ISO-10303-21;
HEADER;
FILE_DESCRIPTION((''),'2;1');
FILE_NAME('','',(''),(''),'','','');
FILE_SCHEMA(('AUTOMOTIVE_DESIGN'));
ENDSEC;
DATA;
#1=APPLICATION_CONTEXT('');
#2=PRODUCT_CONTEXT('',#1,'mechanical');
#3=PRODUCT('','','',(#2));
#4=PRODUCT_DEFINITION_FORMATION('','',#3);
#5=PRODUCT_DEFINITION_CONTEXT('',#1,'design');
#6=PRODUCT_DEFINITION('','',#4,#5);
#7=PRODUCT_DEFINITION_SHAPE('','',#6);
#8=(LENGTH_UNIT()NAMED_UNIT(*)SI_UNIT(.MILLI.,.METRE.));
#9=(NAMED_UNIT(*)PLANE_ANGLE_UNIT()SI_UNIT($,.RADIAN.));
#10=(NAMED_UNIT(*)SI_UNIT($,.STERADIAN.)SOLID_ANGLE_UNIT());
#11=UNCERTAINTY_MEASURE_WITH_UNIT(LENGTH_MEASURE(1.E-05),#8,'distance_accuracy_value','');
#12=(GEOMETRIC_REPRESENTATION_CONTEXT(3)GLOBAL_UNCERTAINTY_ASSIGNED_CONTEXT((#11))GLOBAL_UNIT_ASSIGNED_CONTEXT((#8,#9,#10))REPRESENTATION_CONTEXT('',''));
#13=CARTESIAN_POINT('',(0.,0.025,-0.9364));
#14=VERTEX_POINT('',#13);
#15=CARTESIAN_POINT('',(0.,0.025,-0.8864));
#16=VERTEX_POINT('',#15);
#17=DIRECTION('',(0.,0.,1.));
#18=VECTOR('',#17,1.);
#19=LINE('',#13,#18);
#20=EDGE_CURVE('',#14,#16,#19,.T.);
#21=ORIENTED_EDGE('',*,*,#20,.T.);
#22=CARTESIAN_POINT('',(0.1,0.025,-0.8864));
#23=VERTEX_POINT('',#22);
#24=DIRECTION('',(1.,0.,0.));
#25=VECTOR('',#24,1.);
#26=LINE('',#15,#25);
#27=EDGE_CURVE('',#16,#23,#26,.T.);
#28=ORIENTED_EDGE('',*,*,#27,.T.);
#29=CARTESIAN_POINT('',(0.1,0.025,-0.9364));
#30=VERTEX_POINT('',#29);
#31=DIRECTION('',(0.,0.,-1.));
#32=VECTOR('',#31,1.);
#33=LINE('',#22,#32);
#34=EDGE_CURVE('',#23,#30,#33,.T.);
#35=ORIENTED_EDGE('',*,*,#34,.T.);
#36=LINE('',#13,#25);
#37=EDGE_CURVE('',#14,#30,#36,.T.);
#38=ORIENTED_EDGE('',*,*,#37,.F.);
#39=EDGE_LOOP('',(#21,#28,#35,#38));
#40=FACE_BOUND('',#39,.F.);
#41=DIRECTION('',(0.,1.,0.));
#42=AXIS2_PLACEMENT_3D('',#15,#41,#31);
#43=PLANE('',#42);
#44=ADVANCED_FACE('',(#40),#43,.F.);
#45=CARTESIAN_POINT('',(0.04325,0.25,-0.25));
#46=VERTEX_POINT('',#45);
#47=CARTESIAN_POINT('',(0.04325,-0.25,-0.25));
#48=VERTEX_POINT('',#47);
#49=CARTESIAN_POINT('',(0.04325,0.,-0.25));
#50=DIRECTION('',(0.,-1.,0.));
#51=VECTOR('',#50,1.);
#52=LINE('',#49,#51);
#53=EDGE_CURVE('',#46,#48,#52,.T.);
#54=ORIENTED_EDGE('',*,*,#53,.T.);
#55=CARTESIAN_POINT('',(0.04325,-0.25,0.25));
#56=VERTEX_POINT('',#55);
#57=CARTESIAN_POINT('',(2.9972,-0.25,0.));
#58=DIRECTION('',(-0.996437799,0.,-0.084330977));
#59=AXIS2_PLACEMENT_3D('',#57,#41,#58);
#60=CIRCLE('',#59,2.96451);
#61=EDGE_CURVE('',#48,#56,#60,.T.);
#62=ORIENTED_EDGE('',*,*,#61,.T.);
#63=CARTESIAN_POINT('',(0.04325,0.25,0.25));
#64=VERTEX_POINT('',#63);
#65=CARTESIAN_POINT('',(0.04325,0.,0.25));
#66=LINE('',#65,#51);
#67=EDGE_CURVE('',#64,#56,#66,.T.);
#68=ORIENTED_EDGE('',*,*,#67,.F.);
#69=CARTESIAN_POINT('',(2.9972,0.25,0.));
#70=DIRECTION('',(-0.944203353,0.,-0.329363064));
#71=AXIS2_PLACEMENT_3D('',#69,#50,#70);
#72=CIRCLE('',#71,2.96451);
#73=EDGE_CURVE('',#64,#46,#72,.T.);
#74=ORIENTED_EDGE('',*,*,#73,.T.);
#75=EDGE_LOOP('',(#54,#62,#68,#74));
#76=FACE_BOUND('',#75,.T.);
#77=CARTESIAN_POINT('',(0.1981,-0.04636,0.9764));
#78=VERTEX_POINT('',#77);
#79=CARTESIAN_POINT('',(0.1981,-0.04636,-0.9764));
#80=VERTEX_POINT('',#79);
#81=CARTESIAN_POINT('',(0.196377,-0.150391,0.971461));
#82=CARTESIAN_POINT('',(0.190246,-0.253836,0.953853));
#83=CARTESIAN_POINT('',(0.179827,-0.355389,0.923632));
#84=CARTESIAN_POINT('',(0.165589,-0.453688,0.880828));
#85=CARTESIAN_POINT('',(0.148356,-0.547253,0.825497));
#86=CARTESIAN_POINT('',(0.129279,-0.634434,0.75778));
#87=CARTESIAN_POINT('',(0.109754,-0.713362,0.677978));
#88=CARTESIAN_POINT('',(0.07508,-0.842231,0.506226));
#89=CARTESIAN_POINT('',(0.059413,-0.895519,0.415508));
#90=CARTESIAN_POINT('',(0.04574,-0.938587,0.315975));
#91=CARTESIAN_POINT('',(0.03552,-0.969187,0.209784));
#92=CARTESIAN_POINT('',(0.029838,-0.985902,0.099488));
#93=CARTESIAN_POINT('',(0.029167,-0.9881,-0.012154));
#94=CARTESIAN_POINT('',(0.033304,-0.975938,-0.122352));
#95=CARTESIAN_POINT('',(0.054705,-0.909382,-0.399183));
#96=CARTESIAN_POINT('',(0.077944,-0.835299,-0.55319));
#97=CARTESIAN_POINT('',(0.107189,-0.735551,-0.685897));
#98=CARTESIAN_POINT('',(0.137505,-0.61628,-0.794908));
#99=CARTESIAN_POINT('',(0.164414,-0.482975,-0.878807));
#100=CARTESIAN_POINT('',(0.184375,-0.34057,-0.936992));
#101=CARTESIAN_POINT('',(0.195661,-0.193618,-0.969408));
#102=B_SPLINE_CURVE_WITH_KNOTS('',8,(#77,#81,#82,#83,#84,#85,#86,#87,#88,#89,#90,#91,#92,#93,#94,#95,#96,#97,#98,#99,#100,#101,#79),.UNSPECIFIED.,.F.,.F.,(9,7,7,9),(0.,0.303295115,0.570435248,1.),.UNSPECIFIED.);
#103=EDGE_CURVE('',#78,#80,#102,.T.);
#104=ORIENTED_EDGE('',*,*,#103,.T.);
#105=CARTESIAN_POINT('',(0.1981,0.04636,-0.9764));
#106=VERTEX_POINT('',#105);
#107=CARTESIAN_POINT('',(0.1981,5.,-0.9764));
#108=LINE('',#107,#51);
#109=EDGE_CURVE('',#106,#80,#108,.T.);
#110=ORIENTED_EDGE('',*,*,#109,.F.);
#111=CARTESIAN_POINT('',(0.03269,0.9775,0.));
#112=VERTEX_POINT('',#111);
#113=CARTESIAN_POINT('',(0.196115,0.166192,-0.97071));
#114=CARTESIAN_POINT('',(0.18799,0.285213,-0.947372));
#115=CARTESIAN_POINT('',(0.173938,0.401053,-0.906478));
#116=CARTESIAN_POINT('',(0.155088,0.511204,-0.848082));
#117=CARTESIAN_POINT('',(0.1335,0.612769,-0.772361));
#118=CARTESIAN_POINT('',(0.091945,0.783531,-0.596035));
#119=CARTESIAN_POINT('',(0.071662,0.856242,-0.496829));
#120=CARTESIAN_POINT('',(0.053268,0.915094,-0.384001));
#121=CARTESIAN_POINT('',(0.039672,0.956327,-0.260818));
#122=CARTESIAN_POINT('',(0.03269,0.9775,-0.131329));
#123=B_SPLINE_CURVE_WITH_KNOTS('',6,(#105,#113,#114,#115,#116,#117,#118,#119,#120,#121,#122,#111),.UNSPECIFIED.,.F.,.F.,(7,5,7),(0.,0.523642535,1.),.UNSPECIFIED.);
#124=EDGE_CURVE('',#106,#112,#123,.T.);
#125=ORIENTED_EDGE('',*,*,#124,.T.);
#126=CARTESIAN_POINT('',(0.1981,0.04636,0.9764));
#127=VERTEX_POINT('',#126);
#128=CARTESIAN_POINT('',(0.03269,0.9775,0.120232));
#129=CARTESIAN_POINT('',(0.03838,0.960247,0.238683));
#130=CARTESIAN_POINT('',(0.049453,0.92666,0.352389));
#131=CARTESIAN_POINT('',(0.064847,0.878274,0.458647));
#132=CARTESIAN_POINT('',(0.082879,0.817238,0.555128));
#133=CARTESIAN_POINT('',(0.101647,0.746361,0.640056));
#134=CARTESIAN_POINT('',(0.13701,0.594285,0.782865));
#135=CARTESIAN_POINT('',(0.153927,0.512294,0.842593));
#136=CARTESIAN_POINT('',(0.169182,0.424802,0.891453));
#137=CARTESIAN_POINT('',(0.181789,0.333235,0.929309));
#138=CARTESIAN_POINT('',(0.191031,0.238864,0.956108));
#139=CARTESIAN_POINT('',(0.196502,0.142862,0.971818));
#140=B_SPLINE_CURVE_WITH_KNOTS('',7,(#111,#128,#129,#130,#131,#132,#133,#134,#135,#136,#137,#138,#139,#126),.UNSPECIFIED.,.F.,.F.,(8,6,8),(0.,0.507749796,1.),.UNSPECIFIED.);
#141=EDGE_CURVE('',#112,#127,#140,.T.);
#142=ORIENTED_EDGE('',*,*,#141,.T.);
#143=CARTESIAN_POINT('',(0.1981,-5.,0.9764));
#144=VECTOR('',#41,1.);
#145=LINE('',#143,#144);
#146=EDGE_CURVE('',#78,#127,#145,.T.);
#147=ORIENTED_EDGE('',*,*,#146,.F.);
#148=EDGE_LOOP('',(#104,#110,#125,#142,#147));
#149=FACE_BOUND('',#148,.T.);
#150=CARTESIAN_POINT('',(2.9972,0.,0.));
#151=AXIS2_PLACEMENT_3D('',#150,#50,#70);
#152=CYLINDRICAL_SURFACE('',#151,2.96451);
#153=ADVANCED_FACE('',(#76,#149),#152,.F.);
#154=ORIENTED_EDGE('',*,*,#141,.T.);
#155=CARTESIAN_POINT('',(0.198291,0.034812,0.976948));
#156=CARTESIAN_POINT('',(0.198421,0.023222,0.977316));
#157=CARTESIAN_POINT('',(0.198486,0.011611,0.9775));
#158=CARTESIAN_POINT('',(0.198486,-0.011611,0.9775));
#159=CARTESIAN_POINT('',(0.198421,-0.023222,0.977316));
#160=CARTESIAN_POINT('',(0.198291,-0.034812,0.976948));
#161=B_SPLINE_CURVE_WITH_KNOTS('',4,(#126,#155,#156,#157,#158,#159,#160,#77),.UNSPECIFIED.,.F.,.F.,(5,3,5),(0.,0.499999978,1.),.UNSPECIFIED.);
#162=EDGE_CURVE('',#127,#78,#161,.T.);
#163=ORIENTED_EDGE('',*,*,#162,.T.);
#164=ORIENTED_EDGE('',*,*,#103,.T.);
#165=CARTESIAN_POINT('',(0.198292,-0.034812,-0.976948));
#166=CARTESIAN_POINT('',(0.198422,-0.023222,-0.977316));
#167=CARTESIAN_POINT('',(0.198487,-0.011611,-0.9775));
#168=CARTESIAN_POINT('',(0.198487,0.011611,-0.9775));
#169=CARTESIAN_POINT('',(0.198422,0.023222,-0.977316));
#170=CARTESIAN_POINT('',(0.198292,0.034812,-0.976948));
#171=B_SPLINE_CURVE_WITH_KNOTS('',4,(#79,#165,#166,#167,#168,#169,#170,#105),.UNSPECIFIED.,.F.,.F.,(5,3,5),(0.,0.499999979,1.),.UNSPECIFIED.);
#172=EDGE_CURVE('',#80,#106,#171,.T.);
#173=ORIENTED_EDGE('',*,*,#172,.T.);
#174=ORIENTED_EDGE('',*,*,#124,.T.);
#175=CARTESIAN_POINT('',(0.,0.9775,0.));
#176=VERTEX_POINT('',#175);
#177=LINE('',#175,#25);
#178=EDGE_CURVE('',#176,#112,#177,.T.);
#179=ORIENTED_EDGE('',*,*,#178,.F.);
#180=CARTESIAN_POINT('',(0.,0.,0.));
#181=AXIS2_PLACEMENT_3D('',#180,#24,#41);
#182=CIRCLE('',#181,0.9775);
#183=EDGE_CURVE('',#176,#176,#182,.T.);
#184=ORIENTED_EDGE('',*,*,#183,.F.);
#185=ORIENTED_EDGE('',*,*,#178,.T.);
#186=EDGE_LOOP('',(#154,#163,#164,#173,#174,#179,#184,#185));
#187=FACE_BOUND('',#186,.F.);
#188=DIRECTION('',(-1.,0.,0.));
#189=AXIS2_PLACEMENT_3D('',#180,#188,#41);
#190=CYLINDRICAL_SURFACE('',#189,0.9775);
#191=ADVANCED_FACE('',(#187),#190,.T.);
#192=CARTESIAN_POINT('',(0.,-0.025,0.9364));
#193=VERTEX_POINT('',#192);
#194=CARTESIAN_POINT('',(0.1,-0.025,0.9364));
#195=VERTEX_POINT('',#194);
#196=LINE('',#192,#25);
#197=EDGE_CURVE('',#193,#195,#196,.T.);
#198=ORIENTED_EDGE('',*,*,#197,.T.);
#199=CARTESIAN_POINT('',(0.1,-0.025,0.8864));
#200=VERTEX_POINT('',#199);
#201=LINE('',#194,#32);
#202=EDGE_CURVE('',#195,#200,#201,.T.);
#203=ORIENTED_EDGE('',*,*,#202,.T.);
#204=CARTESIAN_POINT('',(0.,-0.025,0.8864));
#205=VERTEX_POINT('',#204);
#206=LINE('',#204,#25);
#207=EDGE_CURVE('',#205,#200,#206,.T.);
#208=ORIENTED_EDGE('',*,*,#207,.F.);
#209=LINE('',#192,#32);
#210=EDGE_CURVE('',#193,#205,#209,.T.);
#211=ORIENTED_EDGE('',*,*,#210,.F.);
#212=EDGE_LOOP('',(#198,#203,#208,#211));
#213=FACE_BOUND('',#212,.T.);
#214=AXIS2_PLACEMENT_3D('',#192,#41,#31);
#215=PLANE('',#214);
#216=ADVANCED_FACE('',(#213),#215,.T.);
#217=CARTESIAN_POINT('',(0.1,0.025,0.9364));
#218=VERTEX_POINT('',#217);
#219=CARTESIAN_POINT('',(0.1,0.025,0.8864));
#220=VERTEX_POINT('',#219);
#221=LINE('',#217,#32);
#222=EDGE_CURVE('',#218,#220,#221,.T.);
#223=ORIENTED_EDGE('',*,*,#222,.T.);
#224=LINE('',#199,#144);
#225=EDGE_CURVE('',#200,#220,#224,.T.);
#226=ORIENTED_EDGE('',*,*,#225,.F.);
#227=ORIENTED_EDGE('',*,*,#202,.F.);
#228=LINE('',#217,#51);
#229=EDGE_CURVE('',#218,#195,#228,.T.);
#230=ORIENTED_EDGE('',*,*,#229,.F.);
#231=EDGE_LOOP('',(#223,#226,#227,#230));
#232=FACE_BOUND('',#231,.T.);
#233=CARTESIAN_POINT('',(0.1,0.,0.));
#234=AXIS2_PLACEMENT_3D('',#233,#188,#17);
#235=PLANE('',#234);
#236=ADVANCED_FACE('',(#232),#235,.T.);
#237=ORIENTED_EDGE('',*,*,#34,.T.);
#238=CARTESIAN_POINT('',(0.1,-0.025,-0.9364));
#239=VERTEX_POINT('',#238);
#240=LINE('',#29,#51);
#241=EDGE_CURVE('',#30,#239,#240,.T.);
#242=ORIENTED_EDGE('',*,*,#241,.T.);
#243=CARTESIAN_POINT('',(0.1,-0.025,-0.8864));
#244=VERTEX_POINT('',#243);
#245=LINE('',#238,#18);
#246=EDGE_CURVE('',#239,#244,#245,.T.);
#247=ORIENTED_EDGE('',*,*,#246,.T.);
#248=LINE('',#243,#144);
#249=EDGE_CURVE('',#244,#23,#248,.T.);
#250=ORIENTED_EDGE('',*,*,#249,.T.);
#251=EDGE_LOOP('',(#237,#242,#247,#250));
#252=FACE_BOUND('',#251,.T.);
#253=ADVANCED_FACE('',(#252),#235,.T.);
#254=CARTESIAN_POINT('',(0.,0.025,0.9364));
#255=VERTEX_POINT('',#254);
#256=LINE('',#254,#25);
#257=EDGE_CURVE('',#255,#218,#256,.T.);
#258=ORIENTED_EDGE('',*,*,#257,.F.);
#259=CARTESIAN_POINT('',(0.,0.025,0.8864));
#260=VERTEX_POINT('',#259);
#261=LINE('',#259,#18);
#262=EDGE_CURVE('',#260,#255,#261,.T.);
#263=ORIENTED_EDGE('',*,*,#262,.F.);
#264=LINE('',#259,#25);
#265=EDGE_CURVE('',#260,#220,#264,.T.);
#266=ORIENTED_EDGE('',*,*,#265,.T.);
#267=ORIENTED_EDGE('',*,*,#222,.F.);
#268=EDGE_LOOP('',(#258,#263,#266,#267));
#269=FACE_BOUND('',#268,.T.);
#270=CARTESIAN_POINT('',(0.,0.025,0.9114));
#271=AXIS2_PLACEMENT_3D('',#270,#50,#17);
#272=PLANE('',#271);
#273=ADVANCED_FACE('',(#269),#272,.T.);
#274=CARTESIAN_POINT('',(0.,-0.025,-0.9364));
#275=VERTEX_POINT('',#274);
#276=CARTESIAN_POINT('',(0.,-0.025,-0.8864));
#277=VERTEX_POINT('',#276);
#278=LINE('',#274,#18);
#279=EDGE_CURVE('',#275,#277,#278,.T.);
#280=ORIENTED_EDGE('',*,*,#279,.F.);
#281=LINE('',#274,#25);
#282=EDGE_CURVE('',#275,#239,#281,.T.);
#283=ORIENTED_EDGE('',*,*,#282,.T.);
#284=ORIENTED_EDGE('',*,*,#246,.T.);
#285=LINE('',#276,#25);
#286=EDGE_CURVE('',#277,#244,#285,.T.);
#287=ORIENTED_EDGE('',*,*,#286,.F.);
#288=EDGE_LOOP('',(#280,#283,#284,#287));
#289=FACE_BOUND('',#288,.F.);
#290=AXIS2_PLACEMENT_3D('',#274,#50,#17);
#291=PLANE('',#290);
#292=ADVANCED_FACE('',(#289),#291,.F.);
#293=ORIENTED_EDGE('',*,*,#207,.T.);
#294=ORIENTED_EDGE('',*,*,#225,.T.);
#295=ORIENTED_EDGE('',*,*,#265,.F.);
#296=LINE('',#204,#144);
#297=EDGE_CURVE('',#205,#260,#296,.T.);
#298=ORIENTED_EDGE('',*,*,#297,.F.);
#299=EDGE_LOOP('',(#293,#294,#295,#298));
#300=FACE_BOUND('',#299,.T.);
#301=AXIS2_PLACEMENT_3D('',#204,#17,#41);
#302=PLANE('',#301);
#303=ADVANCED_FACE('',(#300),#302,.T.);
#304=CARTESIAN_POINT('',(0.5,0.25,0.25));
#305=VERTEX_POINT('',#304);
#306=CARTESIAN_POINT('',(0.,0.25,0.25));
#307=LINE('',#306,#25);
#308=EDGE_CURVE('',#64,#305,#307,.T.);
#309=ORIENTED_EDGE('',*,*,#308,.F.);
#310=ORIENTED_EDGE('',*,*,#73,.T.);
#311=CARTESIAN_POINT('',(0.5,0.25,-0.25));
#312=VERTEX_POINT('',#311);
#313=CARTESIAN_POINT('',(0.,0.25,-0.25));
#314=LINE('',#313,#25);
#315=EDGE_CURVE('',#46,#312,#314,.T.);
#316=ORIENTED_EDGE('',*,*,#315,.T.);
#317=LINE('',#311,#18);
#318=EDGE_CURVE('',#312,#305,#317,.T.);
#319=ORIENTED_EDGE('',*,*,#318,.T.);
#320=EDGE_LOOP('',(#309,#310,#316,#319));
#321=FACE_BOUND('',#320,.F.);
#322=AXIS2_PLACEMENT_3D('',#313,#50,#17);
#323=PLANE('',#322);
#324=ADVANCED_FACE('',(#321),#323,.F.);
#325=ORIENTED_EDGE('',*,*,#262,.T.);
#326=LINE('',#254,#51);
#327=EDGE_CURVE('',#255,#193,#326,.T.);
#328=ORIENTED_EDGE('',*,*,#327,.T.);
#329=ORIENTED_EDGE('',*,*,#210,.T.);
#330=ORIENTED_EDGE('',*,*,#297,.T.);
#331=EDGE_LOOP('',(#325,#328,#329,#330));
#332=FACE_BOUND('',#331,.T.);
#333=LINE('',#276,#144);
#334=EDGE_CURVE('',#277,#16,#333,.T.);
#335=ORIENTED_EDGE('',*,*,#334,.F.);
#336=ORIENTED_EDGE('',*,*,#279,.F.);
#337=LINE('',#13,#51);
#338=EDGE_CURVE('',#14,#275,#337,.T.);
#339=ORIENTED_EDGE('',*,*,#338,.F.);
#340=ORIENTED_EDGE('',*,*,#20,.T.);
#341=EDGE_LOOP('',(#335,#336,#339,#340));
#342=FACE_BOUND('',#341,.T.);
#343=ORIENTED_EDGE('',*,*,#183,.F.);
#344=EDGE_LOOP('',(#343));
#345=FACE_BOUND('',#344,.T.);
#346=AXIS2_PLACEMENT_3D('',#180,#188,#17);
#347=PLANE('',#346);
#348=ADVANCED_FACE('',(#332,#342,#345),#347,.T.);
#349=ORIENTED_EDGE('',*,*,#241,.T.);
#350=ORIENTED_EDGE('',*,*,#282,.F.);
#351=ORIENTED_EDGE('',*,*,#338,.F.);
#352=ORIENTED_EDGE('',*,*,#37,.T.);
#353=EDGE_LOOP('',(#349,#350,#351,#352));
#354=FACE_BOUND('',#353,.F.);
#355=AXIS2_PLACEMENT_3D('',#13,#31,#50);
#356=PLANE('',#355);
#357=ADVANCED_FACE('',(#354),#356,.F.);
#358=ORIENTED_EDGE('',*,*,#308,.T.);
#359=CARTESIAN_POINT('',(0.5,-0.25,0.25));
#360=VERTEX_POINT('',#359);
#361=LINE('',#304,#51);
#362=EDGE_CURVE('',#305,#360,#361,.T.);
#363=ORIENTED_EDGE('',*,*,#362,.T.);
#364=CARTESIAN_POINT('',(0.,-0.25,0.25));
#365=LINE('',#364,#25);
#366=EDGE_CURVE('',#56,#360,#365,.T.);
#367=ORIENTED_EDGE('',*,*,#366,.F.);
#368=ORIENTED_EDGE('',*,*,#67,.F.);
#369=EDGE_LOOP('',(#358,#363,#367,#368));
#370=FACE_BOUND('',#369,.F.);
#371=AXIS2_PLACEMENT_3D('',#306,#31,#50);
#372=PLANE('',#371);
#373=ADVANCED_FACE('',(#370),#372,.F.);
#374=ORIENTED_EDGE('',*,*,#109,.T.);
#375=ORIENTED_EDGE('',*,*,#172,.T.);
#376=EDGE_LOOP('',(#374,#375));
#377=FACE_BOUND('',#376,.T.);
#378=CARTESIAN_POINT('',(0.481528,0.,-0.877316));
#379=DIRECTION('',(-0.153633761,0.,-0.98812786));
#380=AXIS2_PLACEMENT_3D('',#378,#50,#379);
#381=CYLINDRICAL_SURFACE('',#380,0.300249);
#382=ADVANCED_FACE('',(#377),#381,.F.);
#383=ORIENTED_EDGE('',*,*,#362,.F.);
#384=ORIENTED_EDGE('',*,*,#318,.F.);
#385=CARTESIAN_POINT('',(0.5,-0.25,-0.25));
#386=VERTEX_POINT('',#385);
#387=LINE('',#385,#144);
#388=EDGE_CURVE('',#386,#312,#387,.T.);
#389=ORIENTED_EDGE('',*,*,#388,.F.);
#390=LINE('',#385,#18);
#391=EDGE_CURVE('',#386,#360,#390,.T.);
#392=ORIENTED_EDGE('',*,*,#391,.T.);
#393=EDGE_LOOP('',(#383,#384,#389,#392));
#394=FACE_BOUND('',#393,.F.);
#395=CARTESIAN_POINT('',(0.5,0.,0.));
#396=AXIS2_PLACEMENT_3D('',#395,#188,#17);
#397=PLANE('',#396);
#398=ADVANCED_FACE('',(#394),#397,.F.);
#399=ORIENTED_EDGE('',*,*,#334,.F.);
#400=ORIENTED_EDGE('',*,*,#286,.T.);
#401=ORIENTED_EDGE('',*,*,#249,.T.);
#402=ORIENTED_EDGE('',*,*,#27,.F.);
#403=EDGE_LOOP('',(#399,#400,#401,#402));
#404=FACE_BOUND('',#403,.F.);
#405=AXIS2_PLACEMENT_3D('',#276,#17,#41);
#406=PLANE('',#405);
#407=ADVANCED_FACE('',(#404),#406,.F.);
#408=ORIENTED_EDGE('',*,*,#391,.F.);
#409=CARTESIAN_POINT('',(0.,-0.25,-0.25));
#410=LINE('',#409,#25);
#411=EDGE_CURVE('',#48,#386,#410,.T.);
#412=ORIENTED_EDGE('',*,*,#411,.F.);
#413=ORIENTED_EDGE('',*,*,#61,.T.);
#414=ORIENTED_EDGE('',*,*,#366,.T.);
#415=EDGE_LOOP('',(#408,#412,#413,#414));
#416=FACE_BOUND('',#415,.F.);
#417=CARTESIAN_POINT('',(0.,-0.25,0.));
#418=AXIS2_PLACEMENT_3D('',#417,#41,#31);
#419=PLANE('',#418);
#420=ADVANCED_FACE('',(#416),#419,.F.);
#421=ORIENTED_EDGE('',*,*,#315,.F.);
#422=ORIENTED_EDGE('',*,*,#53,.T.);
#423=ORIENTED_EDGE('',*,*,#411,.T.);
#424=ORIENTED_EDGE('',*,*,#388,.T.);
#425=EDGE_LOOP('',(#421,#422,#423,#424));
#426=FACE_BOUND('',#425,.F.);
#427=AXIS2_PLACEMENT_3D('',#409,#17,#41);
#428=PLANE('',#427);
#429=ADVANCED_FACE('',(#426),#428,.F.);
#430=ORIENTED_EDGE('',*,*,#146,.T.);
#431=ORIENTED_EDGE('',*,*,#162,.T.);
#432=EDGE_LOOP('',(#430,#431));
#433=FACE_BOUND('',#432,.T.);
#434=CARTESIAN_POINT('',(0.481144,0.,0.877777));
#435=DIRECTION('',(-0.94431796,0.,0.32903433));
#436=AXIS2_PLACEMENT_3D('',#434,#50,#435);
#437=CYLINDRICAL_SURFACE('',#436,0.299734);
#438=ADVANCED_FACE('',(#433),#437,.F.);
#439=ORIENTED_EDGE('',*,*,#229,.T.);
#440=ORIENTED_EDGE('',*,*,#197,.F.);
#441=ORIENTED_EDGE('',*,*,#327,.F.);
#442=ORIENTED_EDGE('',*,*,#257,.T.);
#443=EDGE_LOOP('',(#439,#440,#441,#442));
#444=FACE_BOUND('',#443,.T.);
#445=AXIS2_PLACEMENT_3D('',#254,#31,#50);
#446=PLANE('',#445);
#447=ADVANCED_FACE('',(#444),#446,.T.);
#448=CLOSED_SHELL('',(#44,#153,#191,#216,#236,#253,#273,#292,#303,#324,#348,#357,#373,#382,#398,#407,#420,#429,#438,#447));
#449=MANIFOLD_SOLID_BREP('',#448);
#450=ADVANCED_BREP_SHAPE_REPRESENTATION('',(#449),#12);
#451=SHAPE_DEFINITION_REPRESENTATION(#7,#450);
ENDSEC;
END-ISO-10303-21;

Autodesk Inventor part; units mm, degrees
ref_plane "YZ Plane" through (0, 0, 0) normal (1, 0, 0) x (0, 1, 0)
ref_plane "XZ Plane" through (0, 0, 0) normal (0, 1, 0) x (-1, 0, 0)
ref_plane "XY Plane" through (0, 0, 0) normal (0, 0, 1) x (1, 0, 0)
sketch "Boceto1" plane through (0, 0, 0) normal (1, 0, 0) x (0, 1, 0)
  circle A0 centre (-0.0022, 0) radius 0.8492
  circle A1 centre (-1.5281, -0.0006) radius 0.1032
  circle A2 centre (0, 0) radius 0.9775
extrude "Extrusión1" add sketch "Boceto1" along normal blind 0.2 contours A0 | A2
sketch "Boceto2" plane through (0, 0, 0) normal (0, 1, 0) x (-1, 0, 0)
  arc A0 (-0.1981, -0.9764) -> (-0.1981, 0.9764) centre (-2.9972, 0) ccw
  arc A1 (-0.1981, 0.9764) -> (-0.4354, 1.174) centre (-0.4814, 0.8776) ccw
  arc A2 (-0.4354, -1.174) -> (-0.1981, -0.9764) centre (-0.4814, -0.8776) ccw
  arc A3 (-0.1981, -0.9764) -> (-0.1981, 0.9764) centre (-2.9972, 0) ccw
  arc A4 (-0.1981, 0.9764) -> (-0.4354, 1.174) centre (-0.4814, 0.8776) ccw
  arc A5 (-0.4354, -1.174) -> (-0.1981, -0.9764) centre (-0.4814, -0.8776) ccw
  arc A6 (-0.1981, -0.9764) -> (-0.1981, 0.9764) centre (-2.9972, 0) ccw
  arc A7 (-0.1981, 0.9764) -> (-0.4354, 1.174) centre (-0.4814, 0.8776) ccw
  arc A8 (-0.4354, -1.174) -> (-0.1981, -0.9764) centre (-0.4814, -0.8776) ccw
  line L0 (-0.2, 0.9775) -> (-0.2, -0.9775) projected
  line L1 (0, -0.9775) -> (0, 0.9775) projected
  line L2 (-0.4354, 1.174) -> (-0.4354, -1.174)
  point P0 (0, 0)
extrude "Extrusión2" cut sketch "Boceto2" along normal mid plane 10
sketch "Boceto3" plane through (0, 0, 0) normal (-1, 0, 0) x (0, 0, 1)
  line L0 (0, 0) -> (0, -0.25)
  line L1 (0, -0.25) -> (-0.25, -0.25)
  line L2 (-0.25, -0.25) -> (-0.25, 0.25)
  line L3 (-0.25, 0.25) -> (0.25, 0.25)
  line L4 (0.25, 0.25) -> (0.25, -0.25)
  line L5 (0.25, -0.25) -> (-0.25, -0.25)
  dimension "d4" = 0.25
  dimension "d5" = 0.25
  dimension "d6" = 0.5
  dimension "d7" = 0.5
  dimension "d8" = 0.5
extrude "Extrusión3" add sketch "Boceto3" against normal blind 0.5
sketch "Boceto4" plane through (0, 0, 0) normal (-1, 0, 0) x (0, 0, 1)
  line L0 (-0.9764, 0.0463) -> (-0.9764, -0.0463) projected
  line L1 (-0.9114, 0.025) -> (-0.9364, 0.025)
  line L2 (-0.9364, 0.025) -> (-0.9364, -0.025)
  line L3 (-0.9364, -0.025) -> (-0.8864, -0.025)
  line L4 (-0.8864, -0.025) -> (-0.8864, 0.025)
  line L5 (-0.8864, 0.025) -> (-0.9364, 0.025)
  line L6 (0.025, -0.9364) -> (-0.025, -0.9364)
  line L7 (-0.025, -0.9364) -> (-0.025, -0.8864)
  line L8 (-0.025, -0.8864) -> (0.025, -0.8864)
  line L9 (0.025, -0.8864) -> (0.025, -0.9364)
  line L10 (0.9114, 0.025) -> (0.9364, 0.025)
  line L11 (0.9364, 0.025) -> (0.9364, -0.025)
  line L12 (0.9364, -0.025) -> (0.8864, -0.025)
  line L13 (0.8864, -0.025) -> (0.8864, 0.025)
  line L14 (0.8864, 0.025) -> (0.9364, 0.025)
  point P0 (0, 0)
  dimension "d13" = 0.025
  dimension "d14" = 0.05
  dimension "d15" = 0.05
  dimension "d16" = 0.05
extrude "Extrusión4" cut sketch "Boceto4" against normal blind 0.1 contours L5 L4 L3 L2 L1 | L10 L11 L12 L13 L14
properties part number "ET19"
